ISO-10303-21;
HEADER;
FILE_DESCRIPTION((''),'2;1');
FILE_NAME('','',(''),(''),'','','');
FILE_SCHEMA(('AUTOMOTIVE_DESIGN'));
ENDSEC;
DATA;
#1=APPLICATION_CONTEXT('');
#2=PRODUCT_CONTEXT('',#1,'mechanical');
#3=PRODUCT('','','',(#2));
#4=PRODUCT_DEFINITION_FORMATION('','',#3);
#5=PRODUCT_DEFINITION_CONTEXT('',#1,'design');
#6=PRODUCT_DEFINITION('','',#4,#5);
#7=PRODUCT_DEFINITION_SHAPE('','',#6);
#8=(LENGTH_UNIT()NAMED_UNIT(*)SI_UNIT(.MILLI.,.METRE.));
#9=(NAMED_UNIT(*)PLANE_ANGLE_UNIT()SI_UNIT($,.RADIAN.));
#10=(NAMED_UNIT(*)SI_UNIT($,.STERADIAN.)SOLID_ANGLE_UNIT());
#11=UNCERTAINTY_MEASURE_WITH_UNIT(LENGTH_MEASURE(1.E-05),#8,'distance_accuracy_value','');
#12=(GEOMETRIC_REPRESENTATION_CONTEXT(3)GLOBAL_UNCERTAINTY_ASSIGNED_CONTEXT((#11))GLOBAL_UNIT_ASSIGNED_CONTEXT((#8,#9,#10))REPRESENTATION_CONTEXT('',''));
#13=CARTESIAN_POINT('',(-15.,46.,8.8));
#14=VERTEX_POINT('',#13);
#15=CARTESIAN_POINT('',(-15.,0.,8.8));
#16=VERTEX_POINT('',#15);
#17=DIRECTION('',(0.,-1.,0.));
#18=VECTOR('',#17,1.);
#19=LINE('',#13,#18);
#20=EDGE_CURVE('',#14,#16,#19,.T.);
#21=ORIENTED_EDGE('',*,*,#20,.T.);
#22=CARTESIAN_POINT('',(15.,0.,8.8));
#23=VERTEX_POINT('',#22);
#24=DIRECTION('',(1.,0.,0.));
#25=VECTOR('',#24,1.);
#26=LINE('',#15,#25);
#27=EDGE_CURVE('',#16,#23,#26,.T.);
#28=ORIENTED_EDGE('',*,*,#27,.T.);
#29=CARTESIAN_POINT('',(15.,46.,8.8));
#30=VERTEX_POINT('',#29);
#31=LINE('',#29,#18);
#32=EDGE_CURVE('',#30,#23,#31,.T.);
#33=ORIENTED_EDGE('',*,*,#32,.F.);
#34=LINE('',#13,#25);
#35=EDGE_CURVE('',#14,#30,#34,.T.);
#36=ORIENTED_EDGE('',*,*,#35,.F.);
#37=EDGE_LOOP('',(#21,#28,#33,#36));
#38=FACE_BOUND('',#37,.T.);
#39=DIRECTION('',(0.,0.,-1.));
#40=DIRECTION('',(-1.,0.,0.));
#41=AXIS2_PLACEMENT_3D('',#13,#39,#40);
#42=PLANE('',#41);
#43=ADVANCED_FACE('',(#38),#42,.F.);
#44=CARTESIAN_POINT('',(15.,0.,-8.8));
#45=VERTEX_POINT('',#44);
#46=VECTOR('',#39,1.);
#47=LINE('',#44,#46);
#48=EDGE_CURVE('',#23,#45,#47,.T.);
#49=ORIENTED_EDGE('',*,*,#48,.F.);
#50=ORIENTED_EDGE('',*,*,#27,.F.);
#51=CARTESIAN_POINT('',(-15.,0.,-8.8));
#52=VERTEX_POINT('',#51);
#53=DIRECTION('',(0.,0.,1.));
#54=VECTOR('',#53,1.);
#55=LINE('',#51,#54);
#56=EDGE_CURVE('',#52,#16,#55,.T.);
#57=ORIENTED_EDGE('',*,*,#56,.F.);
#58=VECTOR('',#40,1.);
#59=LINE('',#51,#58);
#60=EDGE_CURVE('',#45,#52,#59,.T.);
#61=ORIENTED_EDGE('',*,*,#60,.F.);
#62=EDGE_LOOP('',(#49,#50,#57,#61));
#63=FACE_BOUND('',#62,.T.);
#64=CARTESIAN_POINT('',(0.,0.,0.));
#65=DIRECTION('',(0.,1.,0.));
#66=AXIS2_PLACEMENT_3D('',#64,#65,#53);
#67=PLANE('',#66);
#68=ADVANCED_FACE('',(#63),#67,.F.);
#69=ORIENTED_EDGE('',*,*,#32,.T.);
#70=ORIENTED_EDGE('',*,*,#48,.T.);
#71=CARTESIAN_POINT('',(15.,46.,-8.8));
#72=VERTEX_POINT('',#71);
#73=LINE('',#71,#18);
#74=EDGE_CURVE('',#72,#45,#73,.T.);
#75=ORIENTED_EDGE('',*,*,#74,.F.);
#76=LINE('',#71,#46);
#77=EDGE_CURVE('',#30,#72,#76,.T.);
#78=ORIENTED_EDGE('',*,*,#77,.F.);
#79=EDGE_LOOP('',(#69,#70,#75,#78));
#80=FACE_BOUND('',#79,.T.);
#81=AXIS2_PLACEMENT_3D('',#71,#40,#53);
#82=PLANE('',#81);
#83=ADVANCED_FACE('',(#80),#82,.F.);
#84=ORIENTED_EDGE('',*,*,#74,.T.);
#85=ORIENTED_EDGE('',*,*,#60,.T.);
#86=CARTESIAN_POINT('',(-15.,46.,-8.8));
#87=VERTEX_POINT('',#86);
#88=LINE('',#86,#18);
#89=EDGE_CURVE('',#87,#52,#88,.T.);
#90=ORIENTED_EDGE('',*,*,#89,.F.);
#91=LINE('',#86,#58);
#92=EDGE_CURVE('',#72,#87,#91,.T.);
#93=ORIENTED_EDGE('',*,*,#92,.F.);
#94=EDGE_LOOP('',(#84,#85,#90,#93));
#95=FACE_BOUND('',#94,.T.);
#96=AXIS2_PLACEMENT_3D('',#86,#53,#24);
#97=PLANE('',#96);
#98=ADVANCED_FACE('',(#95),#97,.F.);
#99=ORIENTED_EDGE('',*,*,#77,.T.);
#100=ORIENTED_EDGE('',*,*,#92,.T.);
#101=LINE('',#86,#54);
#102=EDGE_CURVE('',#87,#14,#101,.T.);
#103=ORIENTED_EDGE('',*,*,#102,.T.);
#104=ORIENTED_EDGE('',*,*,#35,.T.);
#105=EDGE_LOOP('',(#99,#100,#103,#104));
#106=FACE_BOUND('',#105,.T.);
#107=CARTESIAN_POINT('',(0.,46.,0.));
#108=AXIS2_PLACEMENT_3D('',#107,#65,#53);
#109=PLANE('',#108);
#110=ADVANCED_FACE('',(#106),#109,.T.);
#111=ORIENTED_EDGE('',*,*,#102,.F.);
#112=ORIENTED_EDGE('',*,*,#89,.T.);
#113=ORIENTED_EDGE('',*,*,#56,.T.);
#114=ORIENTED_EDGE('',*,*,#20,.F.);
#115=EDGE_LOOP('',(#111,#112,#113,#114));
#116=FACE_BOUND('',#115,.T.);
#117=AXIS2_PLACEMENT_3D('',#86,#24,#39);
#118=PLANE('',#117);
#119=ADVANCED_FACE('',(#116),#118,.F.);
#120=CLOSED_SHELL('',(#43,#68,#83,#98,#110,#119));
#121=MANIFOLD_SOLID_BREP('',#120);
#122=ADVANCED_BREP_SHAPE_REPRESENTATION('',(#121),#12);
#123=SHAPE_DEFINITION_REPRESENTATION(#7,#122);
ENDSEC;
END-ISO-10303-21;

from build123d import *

# Parameters (mm, degrees)
SKETCH_1_W      = 30
SKETCH_1_H      = 17.6
EXTRUDE_1_DEPTH = 46


with BuildPart() as part:
    # 草图1 → 凸台-拉伸1 (new body)
    with BuildSketch(Plane(origin=(0, 0, 0), x_dir=(1, 0, 0), z_dir=(0, 1, 0))):
        Rectangle(SKETCH_1_W, SKETCH_1_H)
    extrude(amount=EXTRUDE_1_DEPTH)


solid = part.part
